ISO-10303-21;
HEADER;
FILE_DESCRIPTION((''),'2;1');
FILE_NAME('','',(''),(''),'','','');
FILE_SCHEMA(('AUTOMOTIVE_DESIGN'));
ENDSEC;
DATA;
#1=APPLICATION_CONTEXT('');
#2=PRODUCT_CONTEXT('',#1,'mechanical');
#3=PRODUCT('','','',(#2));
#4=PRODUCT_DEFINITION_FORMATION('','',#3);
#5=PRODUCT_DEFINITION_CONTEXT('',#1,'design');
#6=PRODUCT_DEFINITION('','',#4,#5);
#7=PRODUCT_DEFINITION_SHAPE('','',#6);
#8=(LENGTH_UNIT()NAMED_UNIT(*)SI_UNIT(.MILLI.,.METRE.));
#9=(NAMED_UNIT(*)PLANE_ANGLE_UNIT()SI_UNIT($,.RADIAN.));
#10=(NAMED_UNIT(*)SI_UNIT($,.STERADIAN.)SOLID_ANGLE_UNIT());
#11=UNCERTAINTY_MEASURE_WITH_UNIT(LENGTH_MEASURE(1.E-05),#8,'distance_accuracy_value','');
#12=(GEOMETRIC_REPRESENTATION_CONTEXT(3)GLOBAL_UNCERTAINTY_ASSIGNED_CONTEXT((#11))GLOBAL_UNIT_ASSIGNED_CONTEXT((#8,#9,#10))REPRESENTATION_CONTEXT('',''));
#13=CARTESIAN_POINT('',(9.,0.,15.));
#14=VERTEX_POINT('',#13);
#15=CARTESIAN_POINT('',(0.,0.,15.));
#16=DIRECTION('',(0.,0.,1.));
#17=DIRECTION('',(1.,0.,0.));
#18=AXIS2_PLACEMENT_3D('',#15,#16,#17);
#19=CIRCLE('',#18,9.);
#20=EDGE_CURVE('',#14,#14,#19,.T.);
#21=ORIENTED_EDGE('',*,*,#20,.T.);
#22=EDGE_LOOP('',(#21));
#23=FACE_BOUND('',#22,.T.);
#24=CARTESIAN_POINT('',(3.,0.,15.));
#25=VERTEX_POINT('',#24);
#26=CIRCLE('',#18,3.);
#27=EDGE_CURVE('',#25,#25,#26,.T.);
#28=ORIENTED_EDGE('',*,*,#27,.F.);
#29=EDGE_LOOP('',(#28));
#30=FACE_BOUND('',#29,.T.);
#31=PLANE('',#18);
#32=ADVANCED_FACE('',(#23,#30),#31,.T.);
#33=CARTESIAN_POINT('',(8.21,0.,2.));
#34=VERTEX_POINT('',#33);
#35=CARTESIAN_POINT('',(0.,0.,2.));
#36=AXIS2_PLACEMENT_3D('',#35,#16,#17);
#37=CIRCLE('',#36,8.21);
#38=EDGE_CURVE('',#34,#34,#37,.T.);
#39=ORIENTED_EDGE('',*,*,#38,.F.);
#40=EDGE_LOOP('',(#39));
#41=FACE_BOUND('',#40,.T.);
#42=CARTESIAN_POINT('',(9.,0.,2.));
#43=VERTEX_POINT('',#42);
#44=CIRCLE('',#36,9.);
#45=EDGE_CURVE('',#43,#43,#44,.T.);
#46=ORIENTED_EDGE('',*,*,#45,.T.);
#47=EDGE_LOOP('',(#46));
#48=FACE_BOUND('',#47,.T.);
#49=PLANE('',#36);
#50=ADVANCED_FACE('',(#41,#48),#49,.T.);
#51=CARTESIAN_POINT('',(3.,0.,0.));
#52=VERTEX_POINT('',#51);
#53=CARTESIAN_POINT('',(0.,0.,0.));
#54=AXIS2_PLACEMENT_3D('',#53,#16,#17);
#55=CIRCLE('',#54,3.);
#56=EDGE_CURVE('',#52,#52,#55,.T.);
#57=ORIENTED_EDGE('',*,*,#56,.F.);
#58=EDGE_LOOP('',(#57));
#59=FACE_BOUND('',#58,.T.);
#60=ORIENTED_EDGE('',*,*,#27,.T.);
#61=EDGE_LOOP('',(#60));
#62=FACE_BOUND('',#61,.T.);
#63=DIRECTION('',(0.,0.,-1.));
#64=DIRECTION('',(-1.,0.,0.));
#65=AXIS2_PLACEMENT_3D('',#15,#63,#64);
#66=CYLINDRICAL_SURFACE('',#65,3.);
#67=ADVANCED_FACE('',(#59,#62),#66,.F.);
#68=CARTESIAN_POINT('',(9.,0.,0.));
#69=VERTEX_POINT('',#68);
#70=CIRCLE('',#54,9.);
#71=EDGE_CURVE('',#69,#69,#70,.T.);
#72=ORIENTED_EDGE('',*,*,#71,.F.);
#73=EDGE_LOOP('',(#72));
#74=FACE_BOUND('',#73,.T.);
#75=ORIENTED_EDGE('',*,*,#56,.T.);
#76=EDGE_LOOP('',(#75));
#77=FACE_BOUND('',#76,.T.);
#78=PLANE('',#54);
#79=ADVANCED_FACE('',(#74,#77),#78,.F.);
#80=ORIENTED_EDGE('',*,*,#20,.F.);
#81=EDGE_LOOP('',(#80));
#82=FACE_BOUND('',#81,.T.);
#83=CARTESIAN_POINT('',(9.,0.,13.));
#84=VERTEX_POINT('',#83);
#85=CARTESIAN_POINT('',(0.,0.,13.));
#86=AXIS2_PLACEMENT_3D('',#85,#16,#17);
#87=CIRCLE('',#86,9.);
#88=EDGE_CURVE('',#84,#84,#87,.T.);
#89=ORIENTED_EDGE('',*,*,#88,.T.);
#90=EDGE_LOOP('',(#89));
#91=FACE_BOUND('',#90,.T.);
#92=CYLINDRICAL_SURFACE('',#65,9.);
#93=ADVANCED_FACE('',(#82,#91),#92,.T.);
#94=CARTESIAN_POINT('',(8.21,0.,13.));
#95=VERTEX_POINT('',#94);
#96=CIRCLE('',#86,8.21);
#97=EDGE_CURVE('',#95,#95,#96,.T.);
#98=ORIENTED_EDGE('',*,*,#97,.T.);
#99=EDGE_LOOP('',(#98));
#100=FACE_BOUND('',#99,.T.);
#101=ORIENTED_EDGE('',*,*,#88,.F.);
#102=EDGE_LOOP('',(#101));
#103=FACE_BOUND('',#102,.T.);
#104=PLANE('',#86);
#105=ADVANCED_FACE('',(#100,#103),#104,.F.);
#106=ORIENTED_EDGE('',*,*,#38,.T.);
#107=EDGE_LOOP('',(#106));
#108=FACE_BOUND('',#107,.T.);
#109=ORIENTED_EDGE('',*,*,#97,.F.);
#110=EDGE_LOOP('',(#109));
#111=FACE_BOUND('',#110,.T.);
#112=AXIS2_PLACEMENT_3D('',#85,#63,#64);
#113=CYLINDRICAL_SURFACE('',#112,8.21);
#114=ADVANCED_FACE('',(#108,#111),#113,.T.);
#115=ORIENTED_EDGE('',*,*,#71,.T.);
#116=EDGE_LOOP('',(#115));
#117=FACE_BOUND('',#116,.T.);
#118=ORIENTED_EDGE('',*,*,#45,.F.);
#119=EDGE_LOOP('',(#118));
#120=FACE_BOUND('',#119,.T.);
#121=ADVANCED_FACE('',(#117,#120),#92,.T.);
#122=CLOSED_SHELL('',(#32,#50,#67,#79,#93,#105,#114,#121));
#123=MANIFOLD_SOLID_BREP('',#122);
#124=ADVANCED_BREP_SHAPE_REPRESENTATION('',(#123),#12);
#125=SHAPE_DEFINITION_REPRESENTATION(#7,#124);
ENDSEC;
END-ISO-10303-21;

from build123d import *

# Parameters (mm, degrees)
SKETCH_1_R               = 9
SKETCH_1_R_2             = 3
EXTRUDE_1_DEPTH          = 15
CUT_EXTRUDE_1_DEPTH      = 5.5
CUT_EXTRUDE_1_DEPTH_BACK = 5.5
SKETCH_3_R               = 18.21
SKETCH_3_R_2             = 8.21


with BuildPart() as part:
    # 草图1 → 凸台-拉伸1 (new body)
    with BuildSketch(Plane.XY):
        Circle(SKETCH_1_R)
        Circle(SKETCH_1_R_2, mode=Mode.SUBTRACT)
    extrude(amount=EXTRUDE_1_DEPTH)

    # 草图3 → 切除-拉伸-薄壁1 (cut, two sides: drawn at the far end of the back side and taken through both)
    with BuildSketch(Plane.XY.offset(7.5).offset(-CUT_EXTRUDE_1_DEPTH_BACK)):
        Circle(SKETCH_3_R)
        Circle(SKETCH_3_R_2, mode=Mode.SUBTRACT)
    extrude(amount=CUT_EXTRUDE_1_DEPTH + CUT_EXTRUDE_1_DEPTH_BACK, mode=Mode.SUBTRACT)


solid = part.part
